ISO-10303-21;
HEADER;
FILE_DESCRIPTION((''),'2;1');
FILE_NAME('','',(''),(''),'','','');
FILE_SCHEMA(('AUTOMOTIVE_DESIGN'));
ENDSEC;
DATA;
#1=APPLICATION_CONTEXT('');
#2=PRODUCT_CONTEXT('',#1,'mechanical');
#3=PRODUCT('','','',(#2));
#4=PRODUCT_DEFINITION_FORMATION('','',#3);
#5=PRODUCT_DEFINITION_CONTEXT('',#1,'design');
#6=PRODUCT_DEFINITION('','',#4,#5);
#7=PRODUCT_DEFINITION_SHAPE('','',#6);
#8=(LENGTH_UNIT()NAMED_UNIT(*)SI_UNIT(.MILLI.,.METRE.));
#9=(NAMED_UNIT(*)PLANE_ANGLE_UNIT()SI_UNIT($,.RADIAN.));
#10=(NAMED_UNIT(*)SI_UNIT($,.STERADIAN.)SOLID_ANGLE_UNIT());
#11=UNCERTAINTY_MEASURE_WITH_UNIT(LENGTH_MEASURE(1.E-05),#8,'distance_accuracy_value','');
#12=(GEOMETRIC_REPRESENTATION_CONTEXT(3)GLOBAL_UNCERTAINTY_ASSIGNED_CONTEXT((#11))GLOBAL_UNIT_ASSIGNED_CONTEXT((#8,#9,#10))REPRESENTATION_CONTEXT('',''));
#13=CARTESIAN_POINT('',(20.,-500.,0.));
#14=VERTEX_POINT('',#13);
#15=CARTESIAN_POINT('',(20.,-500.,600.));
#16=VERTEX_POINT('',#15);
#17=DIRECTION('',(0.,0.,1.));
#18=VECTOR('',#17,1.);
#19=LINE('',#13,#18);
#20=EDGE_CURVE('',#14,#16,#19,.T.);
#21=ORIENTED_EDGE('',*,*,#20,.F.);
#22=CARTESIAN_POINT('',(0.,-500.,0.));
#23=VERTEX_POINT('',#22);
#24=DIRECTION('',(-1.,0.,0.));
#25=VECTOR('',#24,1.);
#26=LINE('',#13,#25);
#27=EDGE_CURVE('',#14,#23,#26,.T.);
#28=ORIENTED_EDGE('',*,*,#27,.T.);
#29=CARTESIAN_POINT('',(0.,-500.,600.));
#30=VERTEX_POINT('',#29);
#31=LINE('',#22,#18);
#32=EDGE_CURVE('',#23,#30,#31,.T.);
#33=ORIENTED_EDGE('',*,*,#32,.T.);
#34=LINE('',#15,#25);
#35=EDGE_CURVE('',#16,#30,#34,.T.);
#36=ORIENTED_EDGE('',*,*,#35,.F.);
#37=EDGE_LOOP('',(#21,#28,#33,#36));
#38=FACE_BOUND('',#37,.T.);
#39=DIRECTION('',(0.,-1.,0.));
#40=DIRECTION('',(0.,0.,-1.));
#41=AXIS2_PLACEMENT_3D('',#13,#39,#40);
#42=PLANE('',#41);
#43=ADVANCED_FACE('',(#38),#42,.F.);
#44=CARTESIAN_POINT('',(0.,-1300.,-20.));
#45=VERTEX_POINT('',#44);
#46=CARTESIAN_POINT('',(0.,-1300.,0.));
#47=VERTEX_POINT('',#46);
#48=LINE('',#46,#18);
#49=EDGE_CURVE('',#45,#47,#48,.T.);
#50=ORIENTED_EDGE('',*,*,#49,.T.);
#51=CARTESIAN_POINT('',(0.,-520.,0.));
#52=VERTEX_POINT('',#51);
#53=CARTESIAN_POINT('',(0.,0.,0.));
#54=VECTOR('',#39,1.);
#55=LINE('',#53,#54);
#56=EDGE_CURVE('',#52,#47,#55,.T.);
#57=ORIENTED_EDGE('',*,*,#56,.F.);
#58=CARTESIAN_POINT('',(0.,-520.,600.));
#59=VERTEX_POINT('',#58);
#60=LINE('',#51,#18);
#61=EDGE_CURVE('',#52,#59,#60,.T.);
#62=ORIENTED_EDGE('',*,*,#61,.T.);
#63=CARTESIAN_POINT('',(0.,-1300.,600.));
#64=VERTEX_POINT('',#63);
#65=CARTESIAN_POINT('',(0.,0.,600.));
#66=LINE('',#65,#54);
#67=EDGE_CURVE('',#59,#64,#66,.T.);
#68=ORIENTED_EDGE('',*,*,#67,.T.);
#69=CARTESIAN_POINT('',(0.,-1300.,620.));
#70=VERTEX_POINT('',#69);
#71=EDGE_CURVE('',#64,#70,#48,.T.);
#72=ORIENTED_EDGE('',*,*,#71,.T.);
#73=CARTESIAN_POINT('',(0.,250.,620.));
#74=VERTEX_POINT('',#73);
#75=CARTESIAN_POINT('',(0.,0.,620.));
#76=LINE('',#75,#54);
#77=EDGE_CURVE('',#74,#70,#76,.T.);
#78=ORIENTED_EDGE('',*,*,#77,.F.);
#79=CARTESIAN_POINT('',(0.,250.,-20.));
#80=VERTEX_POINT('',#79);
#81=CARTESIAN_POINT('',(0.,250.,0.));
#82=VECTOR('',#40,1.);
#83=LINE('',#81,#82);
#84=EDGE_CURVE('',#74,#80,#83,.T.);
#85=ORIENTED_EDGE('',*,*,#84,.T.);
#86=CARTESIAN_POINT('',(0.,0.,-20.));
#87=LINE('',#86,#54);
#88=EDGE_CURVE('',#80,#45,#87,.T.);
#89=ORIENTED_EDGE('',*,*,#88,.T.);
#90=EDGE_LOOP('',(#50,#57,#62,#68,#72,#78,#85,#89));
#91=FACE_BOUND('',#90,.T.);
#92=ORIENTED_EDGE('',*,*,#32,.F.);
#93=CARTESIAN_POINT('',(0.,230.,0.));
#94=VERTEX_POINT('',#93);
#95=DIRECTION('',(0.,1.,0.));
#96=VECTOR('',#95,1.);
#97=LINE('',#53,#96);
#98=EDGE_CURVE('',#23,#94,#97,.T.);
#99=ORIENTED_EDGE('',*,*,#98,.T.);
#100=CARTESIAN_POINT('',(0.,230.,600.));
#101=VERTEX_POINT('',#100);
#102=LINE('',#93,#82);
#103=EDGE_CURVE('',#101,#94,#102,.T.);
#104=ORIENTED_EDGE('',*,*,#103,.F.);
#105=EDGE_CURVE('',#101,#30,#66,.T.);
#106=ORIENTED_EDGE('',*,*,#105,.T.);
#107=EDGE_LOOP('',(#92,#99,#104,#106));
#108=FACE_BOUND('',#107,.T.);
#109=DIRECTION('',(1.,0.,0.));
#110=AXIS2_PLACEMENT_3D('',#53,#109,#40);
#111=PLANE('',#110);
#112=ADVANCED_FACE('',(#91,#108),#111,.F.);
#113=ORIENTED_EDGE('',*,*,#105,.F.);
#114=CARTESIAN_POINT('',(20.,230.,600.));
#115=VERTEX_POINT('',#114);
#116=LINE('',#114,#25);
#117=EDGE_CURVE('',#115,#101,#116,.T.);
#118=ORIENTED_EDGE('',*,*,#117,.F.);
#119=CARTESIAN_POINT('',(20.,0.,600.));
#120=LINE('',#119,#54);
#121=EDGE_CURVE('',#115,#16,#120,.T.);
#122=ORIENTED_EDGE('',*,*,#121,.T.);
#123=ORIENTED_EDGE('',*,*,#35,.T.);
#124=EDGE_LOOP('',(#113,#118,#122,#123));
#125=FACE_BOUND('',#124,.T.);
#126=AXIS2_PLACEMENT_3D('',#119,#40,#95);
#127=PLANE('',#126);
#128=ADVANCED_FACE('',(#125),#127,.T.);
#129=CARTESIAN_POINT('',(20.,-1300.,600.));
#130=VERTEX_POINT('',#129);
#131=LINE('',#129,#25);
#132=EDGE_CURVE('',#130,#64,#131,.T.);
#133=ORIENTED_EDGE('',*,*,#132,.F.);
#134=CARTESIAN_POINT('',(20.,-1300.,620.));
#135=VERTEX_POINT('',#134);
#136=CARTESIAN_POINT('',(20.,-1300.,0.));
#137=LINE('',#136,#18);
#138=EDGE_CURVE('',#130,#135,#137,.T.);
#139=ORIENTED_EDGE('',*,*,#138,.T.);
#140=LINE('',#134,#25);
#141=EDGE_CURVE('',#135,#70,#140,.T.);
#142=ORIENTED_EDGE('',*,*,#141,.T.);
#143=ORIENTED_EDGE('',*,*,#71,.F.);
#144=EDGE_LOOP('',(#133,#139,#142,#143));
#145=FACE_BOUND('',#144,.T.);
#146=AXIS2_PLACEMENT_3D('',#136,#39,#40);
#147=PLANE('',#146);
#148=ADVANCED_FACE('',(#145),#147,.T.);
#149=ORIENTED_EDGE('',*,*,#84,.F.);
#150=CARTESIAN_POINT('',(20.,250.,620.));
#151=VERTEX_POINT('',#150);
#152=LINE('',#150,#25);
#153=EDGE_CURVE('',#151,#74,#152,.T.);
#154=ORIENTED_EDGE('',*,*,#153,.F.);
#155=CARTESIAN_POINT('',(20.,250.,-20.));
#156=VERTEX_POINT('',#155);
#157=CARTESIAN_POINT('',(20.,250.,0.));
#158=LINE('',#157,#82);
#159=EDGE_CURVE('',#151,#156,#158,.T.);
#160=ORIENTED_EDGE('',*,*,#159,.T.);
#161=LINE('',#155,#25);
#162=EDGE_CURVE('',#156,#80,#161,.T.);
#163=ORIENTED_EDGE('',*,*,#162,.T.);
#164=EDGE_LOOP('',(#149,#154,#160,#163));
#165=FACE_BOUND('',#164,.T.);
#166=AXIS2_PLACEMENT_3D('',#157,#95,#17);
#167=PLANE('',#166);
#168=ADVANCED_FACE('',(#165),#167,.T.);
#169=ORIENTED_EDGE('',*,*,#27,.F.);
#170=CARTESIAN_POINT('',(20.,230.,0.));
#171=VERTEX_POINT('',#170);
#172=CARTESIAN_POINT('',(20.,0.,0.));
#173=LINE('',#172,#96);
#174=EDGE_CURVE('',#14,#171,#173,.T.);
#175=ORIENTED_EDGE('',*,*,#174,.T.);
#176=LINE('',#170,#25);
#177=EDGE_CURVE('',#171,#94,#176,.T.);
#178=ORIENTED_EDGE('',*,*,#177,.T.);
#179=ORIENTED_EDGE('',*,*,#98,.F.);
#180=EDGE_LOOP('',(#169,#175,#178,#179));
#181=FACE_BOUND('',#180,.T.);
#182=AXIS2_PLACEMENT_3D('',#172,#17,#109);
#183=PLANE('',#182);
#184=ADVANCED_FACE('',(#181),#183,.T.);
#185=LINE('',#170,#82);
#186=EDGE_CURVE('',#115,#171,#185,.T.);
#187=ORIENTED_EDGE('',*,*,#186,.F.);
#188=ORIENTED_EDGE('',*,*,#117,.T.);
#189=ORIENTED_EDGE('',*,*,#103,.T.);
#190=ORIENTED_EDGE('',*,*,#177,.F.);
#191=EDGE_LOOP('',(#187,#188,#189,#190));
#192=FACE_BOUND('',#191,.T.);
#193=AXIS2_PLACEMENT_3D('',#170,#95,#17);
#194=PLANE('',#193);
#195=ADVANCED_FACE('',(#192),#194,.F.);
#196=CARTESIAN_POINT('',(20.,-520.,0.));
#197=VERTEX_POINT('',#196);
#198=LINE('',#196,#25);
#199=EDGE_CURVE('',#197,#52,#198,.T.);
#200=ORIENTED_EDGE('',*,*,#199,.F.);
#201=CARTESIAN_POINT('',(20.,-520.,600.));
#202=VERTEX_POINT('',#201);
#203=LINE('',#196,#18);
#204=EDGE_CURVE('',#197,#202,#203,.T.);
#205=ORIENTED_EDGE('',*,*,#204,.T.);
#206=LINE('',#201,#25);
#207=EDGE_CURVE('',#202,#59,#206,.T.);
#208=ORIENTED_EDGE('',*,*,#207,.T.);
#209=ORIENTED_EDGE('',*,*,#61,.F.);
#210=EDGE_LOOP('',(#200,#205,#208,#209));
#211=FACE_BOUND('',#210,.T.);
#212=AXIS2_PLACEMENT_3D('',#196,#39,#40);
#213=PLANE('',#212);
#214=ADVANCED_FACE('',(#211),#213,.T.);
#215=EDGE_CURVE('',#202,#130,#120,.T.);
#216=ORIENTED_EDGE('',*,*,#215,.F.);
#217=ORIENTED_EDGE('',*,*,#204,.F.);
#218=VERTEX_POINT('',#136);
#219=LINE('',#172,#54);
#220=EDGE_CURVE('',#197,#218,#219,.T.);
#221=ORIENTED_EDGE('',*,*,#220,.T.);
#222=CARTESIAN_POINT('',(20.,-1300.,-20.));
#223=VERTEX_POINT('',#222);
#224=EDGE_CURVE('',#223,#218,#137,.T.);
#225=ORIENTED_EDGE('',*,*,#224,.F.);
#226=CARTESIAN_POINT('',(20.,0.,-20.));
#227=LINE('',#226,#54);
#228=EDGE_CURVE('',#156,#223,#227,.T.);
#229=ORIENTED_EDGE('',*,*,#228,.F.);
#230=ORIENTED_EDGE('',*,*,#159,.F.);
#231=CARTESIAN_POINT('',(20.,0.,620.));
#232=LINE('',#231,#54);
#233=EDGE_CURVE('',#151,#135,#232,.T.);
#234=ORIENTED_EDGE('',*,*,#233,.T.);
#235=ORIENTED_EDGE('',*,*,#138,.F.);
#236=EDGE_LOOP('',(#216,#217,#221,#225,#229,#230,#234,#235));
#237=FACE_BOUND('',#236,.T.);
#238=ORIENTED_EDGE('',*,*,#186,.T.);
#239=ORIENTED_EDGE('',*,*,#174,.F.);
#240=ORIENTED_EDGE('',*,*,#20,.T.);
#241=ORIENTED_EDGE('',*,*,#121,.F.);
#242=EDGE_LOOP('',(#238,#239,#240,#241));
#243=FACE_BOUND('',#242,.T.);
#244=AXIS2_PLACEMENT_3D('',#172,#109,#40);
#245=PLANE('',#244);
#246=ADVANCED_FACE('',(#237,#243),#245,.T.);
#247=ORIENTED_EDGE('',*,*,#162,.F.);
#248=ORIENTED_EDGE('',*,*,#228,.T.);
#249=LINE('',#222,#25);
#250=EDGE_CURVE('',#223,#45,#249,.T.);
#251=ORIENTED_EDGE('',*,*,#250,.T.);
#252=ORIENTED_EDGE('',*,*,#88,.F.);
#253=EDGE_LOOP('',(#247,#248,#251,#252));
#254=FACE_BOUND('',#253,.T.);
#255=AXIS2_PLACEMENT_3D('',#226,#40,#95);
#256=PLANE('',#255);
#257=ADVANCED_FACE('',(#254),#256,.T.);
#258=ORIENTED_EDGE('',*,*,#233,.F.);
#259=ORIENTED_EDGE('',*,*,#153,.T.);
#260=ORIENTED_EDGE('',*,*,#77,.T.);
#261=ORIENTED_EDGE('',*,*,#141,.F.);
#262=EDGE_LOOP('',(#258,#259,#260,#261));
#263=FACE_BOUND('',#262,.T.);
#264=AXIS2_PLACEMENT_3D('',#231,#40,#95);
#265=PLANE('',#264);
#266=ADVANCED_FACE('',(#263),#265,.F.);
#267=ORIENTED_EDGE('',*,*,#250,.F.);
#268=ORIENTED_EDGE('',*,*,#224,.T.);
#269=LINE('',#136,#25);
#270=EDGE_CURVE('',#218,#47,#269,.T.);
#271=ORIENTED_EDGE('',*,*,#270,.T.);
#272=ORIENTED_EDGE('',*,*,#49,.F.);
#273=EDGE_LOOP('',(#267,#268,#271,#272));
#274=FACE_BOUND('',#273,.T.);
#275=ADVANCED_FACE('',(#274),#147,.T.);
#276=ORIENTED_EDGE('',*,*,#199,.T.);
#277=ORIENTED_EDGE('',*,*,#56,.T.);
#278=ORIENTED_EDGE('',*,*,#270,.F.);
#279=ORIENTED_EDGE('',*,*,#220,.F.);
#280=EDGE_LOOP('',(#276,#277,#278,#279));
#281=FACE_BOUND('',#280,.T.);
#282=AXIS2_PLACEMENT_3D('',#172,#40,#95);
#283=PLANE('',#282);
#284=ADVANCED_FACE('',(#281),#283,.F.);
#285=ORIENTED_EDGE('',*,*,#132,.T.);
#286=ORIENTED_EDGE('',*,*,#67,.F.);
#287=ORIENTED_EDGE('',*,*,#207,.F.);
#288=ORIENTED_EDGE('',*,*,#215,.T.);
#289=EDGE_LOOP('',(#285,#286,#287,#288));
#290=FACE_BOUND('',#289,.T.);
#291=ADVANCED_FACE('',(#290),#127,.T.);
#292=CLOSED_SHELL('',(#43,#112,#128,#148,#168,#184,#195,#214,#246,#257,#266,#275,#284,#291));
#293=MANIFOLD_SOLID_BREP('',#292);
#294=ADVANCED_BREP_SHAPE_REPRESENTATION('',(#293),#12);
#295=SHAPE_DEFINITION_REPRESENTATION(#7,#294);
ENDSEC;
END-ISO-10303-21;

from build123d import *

# Parameters (mm, degrees)
BOSS_EXTRUDE1_DEPTH = 20


with BuildPart() as part:
    # Sketch1 → Boss-Extrude1 (new body)
    with BuildSketch(Plane(origin=(0, 0, 0), x_dir=(0, 0, -1), z_dir=(1, 0, 0))):
        Polygon((-600, -650), (-600, -520), (0, -520), (0, -650), (0, -670), (0, -1300), (20, -1300), (20, -500), (20, 0), (20, 250), (0, 250), (-600, 250), (-620, 250), (-620, 0), (-620, -500), (-620, -1300), (-600, -1300), (-600, -670), align=None)
        Polygon((0, 230), (0, 0), (0, -500), (-600, -500), (-600, 0), (-600, 230), align=None, mode=Mode.SUBTRACT)
    extrude(amount=BOSS_EXTRUDE1_DEPTH)


solid = part.part
